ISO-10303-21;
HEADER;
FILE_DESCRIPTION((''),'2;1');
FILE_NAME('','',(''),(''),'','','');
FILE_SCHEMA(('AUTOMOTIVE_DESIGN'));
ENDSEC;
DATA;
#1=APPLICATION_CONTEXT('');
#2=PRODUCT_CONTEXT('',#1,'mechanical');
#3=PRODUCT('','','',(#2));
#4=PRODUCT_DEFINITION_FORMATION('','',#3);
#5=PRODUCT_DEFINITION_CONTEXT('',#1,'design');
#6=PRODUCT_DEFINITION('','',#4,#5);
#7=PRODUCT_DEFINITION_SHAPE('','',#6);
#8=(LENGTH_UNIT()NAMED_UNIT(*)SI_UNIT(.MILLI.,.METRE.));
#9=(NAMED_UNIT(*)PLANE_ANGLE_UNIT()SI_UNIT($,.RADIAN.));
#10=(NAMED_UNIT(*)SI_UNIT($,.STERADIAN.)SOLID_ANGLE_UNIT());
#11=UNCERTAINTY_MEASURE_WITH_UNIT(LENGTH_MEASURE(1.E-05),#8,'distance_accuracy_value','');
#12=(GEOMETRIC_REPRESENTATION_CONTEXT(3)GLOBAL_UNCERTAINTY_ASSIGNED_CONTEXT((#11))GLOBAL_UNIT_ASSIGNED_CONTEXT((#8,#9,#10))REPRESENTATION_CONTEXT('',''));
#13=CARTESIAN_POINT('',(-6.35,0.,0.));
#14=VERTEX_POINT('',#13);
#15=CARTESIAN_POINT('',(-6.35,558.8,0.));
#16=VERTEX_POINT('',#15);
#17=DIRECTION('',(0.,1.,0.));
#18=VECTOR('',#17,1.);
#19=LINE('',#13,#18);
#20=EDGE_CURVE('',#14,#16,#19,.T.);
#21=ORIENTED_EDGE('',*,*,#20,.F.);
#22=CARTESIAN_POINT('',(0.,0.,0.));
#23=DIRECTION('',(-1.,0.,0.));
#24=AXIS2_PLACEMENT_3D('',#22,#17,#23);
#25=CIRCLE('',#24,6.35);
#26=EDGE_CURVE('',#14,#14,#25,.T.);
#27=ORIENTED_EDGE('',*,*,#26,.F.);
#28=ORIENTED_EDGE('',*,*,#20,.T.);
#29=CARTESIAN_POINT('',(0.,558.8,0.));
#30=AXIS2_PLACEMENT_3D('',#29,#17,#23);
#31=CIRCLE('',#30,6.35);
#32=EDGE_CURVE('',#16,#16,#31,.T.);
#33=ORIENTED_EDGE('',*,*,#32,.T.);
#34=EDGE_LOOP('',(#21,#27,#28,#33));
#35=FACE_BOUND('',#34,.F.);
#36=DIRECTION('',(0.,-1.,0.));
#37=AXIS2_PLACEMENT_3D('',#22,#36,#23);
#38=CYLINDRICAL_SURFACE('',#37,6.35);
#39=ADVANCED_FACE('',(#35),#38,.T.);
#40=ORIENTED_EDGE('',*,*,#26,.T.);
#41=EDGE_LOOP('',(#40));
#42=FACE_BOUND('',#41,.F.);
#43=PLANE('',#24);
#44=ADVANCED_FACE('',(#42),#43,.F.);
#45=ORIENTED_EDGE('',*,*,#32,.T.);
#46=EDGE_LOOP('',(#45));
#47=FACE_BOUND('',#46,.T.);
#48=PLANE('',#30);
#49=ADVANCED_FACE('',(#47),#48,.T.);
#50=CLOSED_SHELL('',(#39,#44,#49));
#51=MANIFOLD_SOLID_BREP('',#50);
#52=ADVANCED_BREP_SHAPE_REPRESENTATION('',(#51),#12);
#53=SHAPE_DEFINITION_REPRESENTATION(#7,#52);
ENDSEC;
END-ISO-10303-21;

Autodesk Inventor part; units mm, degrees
ref_plane "YZ Plane" through (0, 0, 0) normal (1, 0, 0) x (0, 1, 0)
ref_plane "XZ Plane" through (0, 0, 0) normal (0, 1, 0) x (-1, 0, 0)
ref_plane "XY Plane" through (0, 0, 0) normal (0, 0, 1) x (1, 0, 0)
sketch "Sketch1" plane through (0, 0, 0) normal (0, 1, 0) x (-1, 0, 0)
  circle A0 centre (0, 0) radius 6.35
  dimension "d0" = 12.7
extrude "Extrusion1" add sketch "Sketch1" along normal blind 558.8
properties part number "CatapultAxle"
